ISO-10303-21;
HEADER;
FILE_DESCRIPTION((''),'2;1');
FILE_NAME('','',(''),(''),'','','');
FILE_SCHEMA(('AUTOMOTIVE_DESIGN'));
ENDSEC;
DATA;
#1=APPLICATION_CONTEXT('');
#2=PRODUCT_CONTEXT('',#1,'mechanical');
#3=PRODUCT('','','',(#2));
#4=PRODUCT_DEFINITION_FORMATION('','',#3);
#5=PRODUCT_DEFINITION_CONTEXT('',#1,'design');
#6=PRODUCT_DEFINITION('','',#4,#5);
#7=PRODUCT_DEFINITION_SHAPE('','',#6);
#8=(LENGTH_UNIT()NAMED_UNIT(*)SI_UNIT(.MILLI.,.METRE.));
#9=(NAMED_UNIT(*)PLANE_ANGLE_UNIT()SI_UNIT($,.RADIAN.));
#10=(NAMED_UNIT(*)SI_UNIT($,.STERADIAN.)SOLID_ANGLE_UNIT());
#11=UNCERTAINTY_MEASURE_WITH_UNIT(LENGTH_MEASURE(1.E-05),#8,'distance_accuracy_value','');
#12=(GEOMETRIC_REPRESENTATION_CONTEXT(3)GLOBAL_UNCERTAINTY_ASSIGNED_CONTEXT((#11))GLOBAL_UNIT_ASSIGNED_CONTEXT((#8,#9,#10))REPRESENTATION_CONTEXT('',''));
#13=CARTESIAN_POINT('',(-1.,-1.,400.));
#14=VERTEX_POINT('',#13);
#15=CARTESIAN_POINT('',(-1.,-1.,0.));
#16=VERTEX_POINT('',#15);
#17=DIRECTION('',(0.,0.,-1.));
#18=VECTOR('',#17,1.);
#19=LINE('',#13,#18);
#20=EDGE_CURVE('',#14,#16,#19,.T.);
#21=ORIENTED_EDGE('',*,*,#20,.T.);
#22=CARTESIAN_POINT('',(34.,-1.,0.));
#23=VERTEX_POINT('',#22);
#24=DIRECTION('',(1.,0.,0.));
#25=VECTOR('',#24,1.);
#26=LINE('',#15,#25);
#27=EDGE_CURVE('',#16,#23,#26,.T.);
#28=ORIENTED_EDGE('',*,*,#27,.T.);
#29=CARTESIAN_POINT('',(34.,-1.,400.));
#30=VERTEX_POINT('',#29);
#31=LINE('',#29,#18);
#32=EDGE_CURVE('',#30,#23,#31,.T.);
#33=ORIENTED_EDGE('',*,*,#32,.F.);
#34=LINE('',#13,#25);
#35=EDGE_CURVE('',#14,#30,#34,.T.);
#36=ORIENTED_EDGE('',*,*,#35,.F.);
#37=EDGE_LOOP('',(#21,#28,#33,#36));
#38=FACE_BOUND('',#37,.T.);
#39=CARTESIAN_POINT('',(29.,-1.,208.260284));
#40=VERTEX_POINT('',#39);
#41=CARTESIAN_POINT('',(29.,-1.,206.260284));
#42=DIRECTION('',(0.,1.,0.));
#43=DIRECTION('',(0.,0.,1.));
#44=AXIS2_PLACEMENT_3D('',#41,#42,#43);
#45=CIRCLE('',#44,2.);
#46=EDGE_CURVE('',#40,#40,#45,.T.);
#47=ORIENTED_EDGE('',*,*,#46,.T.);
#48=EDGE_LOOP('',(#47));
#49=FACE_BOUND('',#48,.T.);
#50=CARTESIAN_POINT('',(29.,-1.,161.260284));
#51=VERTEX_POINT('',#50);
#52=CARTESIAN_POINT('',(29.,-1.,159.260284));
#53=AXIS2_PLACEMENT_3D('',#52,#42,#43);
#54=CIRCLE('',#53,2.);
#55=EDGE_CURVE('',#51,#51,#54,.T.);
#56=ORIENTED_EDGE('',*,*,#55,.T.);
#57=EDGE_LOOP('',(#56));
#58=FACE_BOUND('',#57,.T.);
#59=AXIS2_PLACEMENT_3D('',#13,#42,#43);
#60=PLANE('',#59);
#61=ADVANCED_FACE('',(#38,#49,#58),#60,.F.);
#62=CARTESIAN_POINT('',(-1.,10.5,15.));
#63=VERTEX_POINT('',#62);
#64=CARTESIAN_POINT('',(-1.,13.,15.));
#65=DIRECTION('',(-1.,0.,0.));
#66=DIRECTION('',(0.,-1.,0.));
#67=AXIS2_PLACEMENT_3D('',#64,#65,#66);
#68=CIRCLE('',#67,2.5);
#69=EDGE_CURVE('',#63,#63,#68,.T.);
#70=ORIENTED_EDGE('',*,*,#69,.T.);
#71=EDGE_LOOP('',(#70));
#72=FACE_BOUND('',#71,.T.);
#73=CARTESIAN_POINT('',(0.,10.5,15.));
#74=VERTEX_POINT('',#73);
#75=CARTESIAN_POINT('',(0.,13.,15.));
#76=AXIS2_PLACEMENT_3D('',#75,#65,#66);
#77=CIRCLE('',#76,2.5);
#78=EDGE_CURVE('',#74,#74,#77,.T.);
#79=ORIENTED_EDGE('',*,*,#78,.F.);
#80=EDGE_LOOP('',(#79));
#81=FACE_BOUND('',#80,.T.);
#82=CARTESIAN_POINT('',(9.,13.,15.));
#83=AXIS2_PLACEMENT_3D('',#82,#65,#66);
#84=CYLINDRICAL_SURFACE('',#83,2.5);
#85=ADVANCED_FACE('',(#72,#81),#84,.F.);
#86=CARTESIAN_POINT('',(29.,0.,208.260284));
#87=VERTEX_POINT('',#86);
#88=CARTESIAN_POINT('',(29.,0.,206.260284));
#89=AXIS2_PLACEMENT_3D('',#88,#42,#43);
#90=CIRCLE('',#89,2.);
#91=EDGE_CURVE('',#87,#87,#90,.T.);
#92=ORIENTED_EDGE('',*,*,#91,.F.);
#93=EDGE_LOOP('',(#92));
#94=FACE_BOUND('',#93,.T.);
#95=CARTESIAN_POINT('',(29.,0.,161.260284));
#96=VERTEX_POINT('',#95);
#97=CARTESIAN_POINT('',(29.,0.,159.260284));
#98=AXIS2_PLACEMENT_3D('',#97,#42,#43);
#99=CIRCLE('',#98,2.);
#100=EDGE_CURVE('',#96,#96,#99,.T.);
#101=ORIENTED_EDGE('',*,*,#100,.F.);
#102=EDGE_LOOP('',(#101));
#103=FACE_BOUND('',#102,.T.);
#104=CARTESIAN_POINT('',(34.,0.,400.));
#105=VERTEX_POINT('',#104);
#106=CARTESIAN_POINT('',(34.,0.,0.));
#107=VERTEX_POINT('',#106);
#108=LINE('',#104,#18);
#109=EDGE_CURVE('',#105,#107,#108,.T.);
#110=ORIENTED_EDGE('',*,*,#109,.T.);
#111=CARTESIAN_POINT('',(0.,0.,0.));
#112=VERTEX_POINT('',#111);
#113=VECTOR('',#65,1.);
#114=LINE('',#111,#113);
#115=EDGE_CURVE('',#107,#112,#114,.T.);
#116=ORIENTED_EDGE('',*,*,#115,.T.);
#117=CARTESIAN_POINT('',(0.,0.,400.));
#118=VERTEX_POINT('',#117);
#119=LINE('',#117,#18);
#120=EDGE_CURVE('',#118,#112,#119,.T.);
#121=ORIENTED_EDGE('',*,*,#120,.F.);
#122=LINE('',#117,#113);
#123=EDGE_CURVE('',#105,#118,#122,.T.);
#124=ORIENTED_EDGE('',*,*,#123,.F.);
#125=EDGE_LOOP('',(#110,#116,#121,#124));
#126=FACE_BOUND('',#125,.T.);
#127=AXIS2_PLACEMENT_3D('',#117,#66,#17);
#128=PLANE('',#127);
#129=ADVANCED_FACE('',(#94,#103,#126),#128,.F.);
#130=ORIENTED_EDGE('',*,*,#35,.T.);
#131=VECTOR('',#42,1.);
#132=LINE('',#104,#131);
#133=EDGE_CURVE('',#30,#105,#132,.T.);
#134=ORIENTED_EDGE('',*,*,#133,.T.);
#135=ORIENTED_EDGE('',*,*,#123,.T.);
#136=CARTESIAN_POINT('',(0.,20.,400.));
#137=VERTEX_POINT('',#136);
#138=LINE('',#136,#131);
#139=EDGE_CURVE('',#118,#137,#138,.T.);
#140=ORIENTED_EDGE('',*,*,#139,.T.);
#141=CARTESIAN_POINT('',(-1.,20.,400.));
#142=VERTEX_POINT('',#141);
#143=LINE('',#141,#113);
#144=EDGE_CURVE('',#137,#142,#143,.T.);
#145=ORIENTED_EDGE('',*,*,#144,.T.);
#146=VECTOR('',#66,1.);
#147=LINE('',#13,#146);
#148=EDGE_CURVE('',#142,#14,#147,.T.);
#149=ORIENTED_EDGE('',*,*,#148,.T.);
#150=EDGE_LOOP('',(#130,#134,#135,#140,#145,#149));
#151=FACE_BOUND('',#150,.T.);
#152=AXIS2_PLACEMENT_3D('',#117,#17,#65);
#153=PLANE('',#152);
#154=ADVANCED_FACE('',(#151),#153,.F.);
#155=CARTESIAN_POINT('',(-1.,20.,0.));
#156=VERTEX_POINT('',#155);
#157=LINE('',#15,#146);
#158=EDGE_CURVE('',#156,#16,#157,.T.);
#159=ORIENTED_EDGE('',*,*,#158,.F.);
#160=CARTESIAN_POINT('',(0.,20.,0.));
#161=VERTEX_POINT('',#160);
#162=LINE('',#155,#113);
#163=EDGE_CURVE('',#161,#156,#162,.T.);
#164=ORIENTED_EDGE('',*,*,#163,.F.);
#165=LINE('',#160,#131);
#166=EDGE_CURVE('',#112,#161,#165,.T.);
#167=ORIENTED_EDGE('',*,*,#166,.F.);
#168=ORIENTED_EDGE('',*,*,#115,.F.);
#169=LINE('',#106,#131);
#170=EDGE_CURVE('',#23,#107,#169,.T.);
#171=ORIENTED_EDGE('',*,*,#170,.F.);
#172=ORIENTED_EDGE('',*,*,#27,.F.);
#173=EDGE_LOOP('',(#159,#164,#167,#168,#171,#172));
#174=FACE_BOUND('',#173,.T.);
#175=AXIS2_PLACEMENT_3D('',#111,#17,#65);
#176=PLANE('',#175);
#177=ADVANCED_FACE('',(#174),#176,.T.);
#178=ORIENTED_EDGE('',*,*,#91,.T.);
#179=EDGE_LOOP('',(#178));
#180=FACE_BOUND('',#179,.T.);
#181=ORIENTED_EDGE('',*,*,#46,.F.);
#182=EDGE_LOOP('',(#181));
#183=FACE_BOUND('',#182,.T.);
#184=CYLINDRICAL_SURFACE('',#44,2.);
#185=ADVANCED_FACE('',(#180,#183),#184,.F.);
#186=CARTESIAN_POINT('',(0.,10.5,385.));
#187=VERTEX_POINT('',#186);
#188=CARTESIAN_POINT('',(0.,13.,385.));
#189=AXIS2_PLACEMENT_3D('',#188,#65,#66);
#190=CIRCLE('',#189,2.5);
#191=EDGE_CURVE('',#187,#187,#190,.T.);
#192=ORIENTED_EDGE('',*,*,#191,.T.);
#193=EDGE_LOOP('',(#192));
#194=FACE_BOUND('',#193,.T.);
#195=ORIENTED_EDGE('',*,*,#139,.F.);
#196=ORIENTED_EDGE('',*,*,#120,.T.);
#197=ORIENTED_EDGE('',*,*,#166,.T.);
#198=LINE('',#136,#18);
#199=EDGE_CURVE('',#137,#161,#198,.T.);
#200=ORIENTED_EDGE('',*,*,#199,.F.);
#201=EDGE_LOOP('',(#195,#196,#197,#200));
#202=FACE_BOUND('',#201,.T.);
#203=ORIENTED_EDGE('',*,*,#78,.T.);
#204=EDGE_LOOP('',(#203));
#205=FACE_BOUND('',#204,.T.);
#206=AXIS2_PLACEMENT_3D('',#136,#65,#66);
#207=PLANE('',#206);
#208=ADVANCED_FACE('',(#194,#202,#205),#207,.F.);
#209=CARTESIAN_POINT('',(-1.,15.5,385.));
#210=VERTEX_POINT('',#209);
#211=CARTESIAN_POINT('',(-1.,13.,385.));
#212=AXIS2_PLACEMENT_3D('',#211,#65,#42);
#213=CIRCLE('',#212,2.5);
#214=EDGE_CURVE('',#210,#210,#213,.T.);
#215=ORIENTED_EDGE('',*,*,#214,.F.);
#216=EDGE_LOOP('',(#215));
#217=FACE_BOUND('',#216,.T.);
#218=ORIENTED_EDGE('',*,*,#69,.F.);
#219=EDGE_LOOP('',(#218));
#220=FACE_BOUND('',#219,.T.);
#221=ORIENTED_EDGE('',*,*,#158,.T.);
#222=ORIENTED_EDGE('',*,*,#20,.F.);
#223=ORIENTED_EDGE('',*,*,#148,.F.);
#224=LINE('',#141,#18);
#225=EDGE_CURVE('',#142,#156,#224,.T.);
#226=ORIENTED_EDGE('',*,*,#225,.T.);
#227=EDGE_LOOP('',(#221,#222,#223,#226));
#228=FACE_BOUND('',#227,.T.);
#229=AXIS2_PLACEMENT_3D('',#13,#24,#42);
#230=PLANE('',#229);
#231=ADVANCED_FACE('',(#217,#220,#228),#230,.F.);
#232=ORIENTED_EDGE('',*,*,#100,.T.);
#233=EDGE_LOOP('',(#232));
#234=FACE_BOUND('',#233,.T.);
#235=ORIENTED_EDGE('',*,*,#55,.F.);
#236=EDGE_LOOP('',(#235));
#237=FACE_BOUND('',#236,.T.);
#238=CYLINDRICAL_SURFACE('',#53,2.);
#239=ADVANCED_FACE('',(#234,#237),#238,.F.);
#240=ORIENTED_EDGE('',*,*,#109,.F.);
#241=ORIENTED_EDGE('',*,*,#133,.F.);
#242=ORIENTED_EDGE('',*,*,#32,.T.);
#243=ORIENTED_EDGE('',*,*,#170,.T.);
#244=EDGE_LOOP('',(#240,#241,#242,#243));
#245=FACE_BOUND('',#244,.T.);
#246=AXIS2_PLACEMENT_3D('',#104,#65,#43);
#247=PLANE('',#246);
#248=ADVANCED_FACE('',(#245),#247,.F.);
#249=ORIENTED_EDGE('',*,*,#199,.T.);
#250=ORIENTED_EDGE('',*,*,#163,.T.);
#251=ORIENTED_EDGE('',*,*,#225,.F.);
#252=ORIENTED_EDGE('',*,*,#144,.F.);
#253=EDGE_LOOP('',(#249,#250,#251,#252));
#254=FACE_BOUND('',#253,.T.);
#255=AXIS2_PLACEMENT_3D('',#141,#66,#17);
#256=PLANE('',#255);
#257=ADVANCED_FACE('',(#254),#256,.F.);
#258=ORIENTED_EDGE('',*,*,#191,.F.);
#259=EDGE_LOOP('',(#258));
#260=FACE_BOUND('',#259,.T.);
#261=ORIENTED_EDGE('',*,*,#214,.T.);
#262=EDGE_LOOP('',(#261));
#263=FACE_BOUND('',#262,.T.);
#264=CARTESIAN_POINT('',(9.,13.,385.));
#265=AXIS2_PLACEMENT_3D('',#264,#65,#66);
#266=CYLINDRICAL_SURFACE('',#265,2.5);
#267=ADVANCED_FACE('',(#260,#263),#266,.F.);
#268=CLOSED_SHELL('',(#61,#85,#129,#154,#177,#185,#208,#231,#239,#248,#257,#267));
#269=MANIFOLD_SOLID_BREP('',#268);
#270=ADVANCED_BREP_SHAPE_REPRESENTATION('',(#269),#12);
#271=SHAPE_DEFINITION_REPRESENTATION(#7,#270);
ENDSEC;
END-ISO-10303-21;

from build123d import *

# Parameters (mm, degrees)
BOSS_EXTRU_1_DEPTH      = 400
ESQUISSE3_R             = 2
ENL_V_MAT_EXTRU_2_DEPTH = 402.940294074
ESQUISSE4_R             = 2.5
ENL_V_MAT_EXTRU_3_DEPTH = 10


with BuildPart() as part:
    # Esquisse1 → Boss.-Extru.1 (new body)
    with BuildSketch(Plane.XY):
        Polygon((-1, -1), (-1, 20), (0, 20), (0, 0), (34, 0), (34, -1), align=None)
    extrude(amount=BOSS_EXTRU_1_DEPTH)

    # Esquisse3 → Enlèv. mat.-Extru.2 (cut, through all)
    with BuildSketch(Plane(origin=(0, 0, 0), x_dir=(1, 0, 0), z_dir=(0, 1, 0))):
        with Locations(Location((29, -206.260283716, 0), (0, 0, 270))):
            Circle(ESQUISSE3_R)
        with Locations(Location((29, -159.260283716, 0), (0, 0, 270))):
            Circle(ESQUISSE3_R)
    extrude(amount=-ENL_V_MAT_EXTRU_2_DEPTH, mode=Mode.SUBTRACT)

    # Esquisse4 → Enlèv. mat.-Extru.3 (cut)
    with BuildSketch(Plane.ZY.offset(1)):
        with Locations(Location((15, 13, 0), (0, 0, 270))):
            Circle(ESQUISSE4_R)
        with Locations(Location((385, 13, 0), (0, 0, 270))):
            Circle(ESQUISSE4_R)
    extrude(amount=-ENL_V_MAT_EXTRU_3_DEPTH, mode=Mode.SUBTRACT)


solid = part.part
